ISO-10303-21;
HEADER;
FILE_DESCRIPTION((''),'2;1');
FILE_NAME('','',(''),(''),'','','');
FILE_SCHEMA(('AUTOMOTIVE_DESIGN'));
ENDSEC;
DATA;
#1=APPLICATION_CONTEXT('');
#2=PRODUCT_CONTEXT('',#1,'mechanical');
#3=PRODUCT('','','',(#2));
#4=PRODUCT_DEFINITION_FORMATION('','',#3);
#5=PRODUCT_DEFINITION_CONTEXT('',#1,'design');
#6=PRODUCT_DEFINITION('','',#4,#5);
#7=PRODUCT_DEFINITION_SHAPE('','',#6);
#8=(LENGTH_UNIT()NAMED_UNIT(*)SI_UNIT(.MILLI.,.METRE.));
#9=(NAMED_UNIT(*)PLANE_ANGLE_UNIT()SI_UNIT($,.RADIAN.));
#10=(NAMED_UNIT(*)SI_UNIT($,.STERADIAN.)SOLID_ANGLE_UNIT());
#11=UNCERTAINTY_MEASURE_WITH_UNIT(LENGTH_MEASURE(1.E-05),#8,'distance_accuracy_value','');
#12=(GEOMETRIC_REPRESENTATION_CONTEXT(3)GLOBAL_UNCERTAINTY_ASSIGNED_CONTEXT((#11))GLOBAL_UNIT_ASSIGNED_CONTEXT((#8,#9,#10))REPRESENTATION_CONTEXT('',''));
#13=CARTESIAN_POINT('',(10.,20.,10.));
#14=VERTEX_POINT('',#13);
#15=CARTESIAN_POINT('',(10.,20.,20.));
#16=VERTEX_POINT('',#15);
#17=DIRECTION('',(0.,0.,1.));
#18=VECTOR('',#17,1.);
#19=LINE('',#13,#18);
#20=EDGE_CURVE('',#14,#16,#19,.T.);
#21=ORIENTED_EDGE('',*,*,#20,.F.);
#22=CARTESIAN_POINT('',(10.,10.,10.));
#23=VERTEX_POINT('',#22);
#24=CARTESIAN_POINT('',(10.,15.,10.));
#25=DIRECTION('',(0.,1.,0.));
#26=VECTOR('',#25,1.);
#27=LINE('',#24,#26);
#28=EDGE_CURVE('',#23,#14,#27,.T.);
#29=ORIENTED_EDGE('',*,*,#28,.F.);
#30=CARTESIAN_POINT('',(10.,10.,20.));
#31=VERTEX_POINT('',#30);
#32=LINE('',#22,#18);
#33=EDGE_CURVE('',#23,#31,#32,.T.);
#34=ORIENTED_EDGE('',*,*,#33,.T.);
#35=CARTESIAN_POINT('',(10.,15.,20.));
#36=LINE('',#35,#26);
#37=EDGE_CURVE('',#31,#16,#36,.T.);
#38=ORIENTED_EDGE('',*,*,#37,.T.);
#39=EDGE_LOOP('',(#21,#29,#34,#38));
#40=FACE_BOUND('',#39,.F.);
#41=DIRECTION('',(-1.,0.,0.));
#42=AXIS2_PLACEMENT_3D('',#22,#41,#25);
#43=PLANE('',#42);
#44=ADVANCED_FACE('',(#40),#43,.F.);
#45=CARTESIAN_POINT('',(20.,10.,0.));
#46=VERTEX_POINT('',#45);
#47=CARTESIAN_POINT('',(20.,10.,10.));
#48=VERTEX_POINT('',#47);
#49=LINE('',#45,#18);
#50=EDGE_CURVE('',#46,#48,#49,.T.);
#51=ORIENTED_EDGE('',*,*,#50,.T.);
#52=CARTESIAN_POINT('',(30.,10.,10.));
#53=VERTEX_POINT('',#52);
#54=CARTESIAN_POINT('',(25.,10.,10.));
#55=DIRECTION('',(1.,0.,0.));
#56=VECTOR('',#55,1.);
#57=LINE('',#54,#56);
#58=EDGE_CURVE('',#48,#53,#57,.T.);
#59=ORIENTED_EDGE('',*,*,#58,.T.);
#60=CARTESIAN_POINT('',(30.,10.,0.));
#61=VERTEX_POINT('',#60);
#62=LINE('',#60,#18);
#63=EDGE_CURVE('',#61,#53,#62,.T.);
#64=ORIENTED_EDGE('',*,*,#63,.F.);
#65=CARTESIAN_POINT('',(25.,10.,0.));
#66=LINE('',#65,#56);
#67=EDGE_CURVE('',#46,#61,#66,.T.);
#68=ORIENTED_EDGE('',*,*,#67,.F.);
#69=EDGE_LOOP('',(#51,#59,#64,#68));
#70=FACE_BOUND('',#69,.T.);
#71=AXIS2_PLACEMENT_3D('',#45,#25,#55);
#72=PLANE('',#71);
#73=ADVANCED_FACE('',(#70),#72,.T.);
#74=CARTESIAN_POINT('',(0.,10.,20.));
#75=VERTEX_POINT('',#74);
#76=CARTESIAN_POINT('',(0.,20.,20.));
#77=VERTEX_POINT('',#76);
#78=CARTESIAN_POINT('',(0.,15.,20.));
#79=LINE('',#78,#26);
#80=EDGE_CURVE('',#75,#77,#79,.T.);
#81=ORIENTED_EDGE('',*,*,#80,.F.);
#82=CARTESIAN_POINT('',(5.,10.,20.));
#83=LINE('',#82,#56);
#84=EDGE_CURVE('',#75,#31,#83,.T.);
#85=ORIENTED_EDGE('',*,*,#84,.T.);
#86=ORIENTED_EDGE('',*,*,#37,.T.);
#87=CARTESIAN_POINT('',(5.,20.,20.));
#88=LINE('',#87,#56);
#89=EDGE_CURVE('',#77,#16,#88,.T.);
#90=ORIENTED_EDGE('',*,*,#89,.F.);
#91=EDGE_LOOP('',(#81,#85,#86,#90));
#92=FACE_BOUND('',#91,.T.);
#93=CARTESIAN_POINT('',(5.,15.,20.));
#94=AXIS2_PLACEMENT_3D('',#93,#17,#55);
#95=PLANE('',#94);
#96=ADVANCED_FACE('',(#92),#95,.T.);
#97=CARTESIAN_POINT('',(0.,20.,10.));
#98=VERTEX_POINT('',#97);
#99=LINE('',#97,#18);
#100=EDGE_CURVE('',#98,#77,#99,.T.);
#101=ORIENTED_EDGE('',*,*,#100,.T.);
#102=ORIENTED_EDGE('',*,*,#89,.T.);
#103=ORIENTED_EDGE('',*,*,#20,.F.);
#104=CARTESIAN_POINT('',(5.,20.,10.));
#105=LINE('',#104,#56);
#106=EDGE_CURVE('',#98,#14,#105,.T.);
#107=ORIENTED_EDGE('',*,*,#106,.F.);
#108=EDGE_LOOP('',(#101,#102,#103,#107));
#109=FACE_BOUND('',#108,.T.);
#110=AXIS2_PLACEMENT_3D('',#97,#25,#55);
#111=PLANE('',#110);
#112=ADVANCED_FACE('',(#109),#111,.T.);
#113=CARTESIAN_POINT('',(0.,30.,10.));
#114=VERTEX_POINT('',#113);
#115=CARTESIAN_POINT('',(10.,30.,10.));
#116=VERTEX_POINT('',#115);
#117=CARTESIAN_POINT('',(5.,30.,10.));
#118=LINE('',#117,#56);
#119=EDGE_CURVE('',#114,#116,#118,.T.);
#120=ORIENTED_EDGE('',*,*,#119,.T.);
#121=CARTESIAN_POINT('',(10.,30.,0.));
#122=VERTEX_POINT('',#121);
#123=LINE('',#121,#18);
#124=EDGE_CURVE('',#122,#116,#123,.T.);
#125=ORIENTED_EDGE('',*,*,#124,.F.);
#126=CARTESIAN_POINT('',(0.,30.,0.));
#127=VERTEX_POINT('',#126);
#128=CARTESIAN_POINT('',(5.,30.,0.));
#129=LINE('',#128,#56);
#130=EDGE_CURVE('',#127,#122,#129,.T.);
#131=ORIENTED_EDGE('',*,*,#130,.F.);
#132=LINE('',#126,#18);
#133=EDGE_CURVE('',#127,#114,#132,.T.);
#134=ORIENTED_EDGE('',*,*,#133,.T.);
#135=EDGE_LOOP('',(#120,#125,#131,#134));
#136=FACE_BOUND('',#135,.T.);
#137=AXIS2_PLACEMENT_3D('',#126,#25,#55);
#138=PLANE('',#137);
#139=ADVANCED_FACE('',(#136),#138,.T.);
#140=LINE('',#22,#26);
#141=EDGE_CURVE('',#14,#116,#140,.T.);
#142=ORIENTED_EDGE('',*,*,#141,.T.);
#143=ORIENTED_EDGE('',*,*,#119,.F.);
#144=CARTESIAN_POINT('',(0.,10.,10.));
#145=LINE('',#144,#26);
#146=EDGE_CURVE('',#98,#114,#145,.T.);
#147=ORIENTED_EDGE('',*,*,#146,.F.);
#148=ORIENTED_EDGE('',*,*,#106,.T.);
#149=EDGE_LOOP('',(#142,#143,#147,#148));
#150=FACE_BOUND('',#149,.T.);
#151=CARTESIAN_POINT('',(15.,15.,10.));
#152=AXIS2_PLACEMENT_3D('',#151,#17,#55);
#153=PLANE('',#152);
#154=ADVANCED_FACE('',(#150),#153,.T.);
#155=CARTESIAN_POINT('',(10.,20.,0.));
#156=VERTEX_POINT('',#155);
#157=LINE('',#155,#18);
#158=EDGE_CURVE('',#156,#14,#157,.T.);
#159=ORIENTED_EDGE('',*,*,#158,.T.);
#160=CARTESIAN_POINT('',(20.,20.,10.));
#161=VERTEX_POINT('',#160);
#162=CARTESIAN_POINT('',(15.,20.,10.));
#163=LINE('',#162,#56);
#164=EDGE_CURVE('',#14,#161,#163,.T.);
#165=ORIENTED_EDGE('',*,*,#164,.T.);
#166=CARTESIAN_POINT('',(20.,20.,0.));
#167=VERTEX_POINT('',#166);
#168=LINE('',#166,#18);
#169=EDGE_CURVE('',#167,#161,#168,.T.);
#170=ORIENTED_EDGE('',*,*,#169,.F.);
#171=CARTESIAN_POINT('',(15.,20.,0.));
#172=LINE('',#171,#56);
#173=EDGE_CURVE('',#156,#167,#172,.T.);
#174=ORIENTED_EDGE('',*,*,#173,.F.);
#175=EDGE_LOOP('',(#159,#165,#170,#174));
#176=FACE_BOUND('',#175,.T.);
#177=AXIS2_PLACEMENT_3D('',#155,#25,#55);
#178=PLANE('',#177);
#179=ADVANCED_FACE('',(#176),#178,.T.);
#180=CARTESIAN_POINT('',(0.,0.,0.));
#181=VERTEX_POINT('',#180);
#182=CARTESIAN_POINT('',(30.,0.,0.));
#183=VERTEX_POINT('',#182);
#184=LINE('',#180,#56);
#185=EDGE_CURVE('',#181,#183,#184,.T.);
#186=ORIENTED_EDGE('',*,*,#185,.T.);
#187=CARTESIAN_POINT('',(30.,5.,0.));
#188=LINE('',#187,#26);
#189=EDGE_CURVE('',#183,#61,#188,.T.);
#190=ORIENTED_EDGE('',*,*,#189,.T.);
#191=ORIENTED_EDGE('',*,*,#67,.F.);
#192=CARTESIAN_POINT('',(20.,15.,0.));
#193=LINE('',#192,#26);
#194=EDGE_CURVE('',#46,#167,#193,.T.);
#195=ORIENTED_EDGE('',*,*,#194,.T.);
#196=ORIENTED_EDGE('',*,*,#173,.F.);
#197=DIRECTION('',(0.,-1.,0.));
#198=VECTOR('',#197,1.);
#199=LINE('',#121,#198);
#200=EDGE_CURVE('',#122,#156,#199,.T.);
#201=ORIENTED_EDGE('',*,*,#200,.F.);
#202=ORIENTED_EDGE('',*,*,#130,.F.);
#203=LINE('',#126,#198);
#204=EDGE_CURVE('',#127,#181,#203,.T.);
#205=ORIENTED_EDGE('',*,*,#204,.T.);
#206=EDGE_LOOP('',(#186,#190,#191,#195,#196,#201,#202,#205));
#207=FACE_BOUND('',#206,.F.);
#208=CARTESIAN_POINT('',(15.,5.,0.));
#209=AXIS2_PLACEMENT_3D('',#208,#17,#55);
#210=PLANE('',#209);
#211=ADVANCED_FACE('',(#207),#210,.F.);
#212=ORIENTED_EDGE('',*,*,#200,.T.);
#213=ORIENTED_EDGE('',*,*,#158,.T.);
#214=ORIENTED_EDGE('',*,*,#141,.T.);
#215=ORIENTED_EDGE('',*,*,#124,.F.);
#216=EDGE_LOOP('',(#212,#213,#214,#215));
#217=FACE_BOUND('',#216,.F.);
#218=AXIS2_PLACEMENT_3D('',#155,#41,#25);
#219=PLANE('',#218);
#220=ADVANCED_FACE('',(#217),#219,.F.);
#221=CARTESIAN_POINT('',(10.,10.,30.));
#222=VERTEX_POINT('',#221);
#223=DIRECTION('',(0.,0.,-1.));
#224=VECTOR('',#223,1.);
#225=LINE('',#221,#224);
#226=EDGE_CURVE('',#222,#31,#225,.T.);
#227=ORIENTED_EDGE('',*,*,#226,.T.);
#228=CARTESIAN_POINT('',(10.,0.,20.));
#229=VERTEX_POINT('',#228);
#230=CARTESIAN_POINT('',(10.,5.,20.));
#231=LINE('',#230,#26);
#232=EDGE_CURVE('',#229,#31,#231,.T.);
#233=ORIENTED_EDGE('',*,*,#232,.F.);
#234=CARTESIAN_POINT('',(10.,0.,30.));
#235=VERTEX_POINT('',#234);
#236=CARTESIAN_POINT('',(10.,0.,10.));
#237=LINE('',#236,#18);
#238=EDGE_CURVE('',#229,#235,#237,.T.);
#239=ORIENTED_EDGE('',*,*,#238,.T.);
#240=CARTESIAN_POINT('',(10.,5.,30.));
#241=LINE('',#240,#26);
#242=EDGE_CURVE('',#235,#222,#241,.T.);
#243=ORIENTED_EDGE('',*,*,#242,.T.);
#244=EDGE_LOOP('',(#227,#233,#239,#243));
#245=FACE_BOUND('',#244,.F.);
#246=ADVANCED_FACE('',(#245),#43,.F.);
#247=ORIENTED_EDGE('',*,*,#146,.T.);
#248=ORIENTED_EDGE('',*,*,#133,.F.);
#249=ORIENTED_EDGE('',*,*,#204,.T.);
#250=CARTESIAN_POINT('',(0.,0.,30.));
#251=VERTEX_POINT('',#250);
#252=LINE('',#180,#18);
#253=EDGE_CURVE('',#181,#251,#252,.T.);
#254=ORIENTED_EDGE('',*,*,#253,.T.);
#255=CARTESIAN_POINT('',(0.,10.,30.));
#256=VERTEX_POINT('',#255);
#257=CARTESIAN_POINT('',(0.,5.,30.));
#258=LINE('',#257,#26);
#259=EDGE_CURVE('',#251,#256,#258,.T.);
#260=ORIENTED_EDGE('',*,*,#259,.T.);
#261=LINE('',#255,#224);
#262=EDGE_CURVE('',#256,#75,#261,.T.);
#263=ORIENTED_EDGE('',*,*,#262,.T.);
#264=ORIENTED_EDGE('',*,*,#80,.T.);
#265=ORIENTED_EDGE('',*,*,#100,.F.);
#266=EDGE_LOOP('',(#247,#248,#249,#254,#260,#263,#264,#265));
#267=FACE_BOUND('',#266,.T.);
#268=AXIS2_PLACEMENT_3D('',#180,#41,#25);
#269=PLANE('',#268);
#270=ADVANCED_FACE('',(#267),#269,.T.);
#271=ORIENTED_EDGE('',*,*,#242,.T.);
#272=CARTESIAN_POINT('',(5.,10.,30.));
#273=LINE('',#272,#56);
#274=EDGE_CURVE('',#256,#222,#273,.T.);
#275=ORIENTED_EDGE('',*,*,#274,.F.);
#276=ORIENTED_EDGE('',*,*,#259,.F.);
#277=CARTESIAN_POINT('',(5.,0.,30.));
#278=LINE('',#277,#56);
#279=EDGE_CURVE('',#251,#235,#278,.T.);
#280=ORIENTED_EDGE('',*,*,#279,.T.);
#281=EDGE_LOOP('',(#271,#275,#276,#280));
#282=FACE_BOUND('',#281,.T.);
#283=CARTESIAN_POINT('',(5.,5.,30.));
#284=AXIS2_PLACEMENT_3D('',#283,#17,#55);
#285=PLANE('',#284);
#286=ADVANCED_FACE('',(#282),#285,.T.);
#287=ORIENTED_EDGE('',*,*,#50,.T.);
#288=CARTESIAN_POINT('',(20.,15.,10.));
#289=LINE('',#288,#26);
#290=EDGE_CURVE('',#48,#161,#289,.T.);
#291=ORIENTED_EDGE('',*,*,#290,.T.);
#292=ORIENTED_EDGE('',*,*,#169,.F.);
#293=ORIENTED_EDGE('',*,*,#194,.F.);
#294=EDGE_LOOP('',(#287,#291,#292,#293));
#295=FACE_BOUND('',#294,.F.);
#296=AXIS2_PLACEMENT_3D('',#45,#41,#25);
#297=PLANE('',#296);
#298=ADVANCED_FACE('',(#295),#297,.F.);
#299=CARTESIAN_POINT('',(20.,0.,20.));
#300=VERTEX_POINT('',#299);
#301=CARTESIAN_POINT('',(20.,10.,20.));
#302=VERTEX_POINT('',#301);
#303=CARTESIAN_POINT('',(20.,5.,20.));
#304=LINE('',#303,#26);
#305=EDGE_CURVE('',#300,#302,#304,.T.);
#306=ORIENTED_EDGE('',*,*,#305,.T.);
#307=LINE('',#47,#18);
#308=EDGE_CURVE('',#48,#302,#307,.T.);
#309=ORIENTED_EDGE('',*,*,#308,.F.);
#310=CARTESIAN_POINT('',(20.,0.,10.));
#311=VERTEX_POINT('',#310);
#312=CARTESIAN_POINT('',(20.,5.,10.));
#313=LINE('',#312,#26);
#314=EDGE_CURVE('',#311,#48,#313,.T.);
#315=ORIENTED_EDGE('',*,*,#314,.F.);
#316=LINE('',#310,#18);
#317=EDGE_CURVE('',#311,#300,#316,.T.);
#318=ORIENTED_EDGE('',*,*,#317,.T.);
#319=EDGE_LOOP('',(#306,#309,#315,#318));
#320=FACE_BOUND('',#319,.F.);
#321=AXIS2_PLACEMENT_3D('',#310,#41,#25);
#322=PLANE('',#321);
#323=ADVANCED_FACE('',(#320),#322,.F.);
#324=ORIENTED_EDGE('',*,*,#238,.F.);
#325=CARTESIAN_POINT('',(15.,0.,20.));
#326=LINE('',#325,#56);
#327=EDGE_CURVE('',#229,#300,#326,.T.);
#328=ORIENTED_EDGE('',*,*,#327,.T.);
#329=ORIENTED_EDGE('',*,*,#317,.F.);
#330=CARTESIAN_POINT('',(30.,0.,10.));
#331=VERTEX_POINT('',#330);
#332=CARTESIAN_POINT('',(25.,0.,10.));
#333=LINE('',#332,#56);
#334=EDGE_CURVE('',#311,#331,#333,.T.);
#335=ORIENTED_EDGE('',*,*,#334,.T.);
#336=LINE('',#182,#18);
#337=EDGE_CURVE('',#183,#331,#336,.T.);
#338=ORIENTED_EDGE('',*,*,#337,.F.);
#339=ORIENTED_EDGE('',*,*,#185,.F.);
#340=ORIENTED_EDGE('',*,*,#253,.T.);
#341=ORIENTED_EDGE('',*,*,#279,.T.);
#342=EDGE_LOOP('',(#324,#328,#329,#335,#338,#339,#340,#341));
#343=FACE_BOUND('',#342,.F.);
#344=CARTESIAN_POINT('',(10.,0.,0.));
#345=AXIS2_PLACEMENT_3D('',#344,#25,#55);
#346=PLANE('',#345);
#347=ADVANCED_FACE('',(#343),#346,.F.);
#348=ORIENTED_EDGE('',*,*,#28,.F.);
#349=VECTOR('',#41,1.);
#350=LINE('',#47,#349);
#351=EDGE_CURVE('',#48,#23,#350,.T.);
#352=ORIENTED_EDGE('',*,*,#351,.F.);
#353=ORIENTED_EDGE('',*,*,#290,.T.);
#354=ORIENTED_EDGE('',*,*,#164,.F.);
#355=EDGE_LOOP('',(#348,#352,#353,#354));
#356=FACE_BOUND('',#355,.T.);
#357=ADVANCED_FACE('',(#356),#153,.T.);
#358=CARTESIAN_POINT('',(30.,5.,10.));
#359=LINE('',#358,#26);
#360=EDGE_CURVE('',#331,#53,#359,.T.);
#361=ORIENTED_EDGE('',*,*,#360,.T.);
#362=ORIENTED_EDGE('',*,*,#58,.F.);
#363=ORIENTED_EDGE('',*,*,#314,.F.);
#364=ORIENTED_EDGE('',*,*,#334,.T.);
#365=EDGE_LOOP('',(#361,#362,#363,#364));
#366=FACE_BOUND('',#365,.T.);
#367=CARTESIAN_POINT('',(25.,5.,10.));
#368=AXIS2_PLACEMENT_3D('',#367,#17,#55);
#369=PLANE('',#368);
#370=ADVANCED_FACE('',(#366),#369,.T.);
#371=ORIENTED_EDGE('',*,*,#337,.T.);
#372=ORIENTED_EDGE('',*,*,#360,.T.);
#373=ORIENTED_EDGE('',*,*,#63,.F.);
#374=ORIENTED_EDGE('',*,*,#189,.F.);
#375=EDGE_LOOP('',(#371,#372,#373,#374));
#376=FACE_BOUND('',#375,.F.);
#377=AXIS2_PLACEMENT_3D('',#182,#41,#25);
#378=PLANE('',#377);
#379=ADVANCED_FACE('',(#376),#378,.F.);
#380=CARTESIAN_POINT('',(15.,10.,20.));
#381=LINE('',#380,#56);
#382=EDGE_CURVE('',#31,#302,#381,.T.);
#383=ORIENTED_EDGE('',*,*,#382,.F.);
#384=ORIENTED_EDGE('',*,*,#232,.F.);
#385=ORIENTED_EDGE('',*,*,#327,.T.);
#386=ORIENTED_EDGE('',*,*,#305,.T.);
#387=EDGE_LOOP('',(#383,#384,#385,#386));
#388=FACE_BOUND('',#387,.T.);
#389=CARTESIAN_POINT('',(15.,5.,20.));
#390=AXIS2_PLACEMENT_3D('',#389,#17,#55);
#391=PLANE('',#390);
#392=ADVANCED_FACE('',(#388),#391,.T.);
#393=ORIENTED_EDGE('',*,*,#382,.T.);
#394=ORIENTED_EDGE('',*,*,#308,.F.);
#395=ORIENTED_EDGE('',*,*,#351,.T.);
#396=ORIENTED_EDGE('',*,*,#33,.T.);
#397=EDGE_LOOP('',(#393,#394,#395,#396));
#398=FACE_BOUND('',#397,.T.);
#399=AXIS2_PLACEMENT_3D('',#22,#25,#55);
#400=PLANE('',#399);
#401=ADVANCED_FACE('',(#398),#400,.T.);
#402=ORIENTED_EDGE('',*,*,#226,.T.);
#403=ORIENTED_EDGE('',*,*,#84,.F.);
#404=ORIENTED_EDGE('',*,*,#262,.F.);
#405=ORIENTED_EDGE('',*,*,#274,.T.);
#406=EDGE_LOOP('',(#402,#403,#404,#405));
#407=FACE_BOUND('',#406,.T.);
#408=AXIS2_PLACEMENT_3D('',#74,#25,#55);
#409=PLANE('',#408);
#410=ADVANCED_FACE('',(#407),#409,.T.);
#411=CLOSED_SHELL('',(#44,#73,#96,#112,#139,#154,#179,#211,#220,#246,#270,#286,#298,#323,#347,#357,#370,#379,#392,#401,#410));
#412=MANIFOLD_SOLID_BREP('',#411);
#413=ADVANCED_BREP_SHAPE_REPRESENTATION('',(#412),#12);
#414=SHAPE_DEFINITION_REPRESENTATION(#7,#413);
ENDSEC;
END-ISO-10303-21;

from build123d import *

# Parameters (mm, degrees)
BOX002_W     = 10
BOX002_H     = 10
BOX002_DEPTH = 10
BOX004_W     = 10
BOX004_H     = 10
BOX004_DEPTH = 10
BOX005_W     = 10
BOX005_H     = 10
BOX005_DEPTH = 10
BOX006_W     = 10
BOX006_H     = 10
BOX006_DEPTH = 10
BOX007_W     = 10
BOX007_H     = 10
BOX007_DEPTH = 10
BOX008_W     = 10
BOX008_H     = 10
BOX008_DEPTH = 10
BOX009_W     = 10
BOX009_H     = 10
BOX009_DEPTH = 10
BOX_W        = 10
BOX_H        = 10
BOX_DEPTH    = 10
BOX001_W     = 10
BOX001_H     = 10
BOX001_DEPTH = 10
BOX003_W     = 10
BOX003_H     = 10
BOX003_DEPTH = 10


with BuildPart() as box002:
    # Box002 → Box002 (new body)
    with BuildSketch(Plane(origin=(20, 0, 0), x_dir=(1, 0, 0), z_dir=(0, 0, 1))):
        with Locations((5, 5)):
            Rectangle(BOX002_W, BOX002_H)
    extrude(amount=BOX002_DEPTH)


with BuildPart() as cubo004:
    # Box004 → Box004 (new body)
    with BuildSketch(Plane(origin=(0, 20, 0), x_dir=(1, 0, 0), z_dir=(0, 0, 1))):
        with Locations((5, 5)):
            Rectangle(BOX004_W, BOX004_H)
    extrude(amount=BOX004_DEPTH)


with BuildPart() as cubo005:
    # Box005 → Box005 (new body)
    with BuildSketch(Plane(origin=(10, 10, 0), x_dir=(1, 0, 0), z_dir=(0, 0, 1))):
        with Locations((5, 5)):
            Rectangle(BOX005_W, BOX005_H)
    extrude(amount=BOX005_DEPTH)


with BuildPart() as cubo006:
    # Box006 → Box006 (new body)
    with BuildSketch(Plane.XY.offset(10)):
        with Locations((5, 5)):
            Rectangle(BOX006_W, BOX006_H)
    extrude(amount=BOX006_DEPTH)


with BuildPart() as cubo007:
    # Box007 → Box007 (new body)
    with BuildSketch(Plane.XY.offset(20)):
        with Locations((5, 5)):
            Rectangle(BOX007_W, BOX007_H)
    extrude(amount=BOX007_DEPTH)


with BuildPart() as cubo008:
    # Box008 → Box008 (new body)
    with BuildSketch(Plane(origin=(0, 10, 10), x_dir=(1, 0, 0), z_dir=(0, 0, 1))):
        with Locations((5, 5)):
            Rectangle(BOX008_W, BOX008_H)
    extrude(amount=BOX008_DEPTH)


with BuildPart() as cubo009:
    # Box009 → Box009 (new body)
    with BuildSketch(Plane(origin=(10, 0, 10), x_dir=(1, 0, 0), z_dir=(0, 0, 1))):
        with Locations((5, 5)):
            Rectangle(BOX009_W, BOX009_H)
    extrude(amount=BOX009_DEPTH)


with BuildPart() as box:
    # Box → Box (new body)
    with BuildSketch(Plane.XY):
        with Locations((5, 5)):
            Rectangle(BOX_W, BOX_H)
    extrude(amount=BOX_DEPTH)


with BuildPart() as box001:
    # Box001 → Box001 (new body)
    with BuildSketch(Plane(origin=(10, 0, 0), x_dir=(1, 0, 0), z_dir=(0, 0, 1))):
        with Locations((5, 5)):
            Rectangle(BOX001_W, BOX001_H)
    extrude(amount=BOX001_DEPTH)


with BuildPart() as fusion:
    # Box003 → Box003 (new body)
    with BuildSketch(Plane(origin=(0, 10, 0), x_dir=(1, 0, 0), z_dir=(0, 0, 1))):
        with Locations((5, 5)):
            Rectangle(BOX003_W, BOX003_H)
    extrude(amount=BOX003_DEPTH)

    # Fusion: union Box002, Cubo004, Cubo005, Cubo006, Cubo007, Cubo008, Cubo009, Box, Box001
    add(box002.part)
    add(cubo004.part)
    add(cubo005.part)
    add(cubo006.part)
    add(cubo007.part)
    add(cubo008.part)
    add(cubo009.part)
    add(box.part)
    add(box001.part)


solid = fusion.part
